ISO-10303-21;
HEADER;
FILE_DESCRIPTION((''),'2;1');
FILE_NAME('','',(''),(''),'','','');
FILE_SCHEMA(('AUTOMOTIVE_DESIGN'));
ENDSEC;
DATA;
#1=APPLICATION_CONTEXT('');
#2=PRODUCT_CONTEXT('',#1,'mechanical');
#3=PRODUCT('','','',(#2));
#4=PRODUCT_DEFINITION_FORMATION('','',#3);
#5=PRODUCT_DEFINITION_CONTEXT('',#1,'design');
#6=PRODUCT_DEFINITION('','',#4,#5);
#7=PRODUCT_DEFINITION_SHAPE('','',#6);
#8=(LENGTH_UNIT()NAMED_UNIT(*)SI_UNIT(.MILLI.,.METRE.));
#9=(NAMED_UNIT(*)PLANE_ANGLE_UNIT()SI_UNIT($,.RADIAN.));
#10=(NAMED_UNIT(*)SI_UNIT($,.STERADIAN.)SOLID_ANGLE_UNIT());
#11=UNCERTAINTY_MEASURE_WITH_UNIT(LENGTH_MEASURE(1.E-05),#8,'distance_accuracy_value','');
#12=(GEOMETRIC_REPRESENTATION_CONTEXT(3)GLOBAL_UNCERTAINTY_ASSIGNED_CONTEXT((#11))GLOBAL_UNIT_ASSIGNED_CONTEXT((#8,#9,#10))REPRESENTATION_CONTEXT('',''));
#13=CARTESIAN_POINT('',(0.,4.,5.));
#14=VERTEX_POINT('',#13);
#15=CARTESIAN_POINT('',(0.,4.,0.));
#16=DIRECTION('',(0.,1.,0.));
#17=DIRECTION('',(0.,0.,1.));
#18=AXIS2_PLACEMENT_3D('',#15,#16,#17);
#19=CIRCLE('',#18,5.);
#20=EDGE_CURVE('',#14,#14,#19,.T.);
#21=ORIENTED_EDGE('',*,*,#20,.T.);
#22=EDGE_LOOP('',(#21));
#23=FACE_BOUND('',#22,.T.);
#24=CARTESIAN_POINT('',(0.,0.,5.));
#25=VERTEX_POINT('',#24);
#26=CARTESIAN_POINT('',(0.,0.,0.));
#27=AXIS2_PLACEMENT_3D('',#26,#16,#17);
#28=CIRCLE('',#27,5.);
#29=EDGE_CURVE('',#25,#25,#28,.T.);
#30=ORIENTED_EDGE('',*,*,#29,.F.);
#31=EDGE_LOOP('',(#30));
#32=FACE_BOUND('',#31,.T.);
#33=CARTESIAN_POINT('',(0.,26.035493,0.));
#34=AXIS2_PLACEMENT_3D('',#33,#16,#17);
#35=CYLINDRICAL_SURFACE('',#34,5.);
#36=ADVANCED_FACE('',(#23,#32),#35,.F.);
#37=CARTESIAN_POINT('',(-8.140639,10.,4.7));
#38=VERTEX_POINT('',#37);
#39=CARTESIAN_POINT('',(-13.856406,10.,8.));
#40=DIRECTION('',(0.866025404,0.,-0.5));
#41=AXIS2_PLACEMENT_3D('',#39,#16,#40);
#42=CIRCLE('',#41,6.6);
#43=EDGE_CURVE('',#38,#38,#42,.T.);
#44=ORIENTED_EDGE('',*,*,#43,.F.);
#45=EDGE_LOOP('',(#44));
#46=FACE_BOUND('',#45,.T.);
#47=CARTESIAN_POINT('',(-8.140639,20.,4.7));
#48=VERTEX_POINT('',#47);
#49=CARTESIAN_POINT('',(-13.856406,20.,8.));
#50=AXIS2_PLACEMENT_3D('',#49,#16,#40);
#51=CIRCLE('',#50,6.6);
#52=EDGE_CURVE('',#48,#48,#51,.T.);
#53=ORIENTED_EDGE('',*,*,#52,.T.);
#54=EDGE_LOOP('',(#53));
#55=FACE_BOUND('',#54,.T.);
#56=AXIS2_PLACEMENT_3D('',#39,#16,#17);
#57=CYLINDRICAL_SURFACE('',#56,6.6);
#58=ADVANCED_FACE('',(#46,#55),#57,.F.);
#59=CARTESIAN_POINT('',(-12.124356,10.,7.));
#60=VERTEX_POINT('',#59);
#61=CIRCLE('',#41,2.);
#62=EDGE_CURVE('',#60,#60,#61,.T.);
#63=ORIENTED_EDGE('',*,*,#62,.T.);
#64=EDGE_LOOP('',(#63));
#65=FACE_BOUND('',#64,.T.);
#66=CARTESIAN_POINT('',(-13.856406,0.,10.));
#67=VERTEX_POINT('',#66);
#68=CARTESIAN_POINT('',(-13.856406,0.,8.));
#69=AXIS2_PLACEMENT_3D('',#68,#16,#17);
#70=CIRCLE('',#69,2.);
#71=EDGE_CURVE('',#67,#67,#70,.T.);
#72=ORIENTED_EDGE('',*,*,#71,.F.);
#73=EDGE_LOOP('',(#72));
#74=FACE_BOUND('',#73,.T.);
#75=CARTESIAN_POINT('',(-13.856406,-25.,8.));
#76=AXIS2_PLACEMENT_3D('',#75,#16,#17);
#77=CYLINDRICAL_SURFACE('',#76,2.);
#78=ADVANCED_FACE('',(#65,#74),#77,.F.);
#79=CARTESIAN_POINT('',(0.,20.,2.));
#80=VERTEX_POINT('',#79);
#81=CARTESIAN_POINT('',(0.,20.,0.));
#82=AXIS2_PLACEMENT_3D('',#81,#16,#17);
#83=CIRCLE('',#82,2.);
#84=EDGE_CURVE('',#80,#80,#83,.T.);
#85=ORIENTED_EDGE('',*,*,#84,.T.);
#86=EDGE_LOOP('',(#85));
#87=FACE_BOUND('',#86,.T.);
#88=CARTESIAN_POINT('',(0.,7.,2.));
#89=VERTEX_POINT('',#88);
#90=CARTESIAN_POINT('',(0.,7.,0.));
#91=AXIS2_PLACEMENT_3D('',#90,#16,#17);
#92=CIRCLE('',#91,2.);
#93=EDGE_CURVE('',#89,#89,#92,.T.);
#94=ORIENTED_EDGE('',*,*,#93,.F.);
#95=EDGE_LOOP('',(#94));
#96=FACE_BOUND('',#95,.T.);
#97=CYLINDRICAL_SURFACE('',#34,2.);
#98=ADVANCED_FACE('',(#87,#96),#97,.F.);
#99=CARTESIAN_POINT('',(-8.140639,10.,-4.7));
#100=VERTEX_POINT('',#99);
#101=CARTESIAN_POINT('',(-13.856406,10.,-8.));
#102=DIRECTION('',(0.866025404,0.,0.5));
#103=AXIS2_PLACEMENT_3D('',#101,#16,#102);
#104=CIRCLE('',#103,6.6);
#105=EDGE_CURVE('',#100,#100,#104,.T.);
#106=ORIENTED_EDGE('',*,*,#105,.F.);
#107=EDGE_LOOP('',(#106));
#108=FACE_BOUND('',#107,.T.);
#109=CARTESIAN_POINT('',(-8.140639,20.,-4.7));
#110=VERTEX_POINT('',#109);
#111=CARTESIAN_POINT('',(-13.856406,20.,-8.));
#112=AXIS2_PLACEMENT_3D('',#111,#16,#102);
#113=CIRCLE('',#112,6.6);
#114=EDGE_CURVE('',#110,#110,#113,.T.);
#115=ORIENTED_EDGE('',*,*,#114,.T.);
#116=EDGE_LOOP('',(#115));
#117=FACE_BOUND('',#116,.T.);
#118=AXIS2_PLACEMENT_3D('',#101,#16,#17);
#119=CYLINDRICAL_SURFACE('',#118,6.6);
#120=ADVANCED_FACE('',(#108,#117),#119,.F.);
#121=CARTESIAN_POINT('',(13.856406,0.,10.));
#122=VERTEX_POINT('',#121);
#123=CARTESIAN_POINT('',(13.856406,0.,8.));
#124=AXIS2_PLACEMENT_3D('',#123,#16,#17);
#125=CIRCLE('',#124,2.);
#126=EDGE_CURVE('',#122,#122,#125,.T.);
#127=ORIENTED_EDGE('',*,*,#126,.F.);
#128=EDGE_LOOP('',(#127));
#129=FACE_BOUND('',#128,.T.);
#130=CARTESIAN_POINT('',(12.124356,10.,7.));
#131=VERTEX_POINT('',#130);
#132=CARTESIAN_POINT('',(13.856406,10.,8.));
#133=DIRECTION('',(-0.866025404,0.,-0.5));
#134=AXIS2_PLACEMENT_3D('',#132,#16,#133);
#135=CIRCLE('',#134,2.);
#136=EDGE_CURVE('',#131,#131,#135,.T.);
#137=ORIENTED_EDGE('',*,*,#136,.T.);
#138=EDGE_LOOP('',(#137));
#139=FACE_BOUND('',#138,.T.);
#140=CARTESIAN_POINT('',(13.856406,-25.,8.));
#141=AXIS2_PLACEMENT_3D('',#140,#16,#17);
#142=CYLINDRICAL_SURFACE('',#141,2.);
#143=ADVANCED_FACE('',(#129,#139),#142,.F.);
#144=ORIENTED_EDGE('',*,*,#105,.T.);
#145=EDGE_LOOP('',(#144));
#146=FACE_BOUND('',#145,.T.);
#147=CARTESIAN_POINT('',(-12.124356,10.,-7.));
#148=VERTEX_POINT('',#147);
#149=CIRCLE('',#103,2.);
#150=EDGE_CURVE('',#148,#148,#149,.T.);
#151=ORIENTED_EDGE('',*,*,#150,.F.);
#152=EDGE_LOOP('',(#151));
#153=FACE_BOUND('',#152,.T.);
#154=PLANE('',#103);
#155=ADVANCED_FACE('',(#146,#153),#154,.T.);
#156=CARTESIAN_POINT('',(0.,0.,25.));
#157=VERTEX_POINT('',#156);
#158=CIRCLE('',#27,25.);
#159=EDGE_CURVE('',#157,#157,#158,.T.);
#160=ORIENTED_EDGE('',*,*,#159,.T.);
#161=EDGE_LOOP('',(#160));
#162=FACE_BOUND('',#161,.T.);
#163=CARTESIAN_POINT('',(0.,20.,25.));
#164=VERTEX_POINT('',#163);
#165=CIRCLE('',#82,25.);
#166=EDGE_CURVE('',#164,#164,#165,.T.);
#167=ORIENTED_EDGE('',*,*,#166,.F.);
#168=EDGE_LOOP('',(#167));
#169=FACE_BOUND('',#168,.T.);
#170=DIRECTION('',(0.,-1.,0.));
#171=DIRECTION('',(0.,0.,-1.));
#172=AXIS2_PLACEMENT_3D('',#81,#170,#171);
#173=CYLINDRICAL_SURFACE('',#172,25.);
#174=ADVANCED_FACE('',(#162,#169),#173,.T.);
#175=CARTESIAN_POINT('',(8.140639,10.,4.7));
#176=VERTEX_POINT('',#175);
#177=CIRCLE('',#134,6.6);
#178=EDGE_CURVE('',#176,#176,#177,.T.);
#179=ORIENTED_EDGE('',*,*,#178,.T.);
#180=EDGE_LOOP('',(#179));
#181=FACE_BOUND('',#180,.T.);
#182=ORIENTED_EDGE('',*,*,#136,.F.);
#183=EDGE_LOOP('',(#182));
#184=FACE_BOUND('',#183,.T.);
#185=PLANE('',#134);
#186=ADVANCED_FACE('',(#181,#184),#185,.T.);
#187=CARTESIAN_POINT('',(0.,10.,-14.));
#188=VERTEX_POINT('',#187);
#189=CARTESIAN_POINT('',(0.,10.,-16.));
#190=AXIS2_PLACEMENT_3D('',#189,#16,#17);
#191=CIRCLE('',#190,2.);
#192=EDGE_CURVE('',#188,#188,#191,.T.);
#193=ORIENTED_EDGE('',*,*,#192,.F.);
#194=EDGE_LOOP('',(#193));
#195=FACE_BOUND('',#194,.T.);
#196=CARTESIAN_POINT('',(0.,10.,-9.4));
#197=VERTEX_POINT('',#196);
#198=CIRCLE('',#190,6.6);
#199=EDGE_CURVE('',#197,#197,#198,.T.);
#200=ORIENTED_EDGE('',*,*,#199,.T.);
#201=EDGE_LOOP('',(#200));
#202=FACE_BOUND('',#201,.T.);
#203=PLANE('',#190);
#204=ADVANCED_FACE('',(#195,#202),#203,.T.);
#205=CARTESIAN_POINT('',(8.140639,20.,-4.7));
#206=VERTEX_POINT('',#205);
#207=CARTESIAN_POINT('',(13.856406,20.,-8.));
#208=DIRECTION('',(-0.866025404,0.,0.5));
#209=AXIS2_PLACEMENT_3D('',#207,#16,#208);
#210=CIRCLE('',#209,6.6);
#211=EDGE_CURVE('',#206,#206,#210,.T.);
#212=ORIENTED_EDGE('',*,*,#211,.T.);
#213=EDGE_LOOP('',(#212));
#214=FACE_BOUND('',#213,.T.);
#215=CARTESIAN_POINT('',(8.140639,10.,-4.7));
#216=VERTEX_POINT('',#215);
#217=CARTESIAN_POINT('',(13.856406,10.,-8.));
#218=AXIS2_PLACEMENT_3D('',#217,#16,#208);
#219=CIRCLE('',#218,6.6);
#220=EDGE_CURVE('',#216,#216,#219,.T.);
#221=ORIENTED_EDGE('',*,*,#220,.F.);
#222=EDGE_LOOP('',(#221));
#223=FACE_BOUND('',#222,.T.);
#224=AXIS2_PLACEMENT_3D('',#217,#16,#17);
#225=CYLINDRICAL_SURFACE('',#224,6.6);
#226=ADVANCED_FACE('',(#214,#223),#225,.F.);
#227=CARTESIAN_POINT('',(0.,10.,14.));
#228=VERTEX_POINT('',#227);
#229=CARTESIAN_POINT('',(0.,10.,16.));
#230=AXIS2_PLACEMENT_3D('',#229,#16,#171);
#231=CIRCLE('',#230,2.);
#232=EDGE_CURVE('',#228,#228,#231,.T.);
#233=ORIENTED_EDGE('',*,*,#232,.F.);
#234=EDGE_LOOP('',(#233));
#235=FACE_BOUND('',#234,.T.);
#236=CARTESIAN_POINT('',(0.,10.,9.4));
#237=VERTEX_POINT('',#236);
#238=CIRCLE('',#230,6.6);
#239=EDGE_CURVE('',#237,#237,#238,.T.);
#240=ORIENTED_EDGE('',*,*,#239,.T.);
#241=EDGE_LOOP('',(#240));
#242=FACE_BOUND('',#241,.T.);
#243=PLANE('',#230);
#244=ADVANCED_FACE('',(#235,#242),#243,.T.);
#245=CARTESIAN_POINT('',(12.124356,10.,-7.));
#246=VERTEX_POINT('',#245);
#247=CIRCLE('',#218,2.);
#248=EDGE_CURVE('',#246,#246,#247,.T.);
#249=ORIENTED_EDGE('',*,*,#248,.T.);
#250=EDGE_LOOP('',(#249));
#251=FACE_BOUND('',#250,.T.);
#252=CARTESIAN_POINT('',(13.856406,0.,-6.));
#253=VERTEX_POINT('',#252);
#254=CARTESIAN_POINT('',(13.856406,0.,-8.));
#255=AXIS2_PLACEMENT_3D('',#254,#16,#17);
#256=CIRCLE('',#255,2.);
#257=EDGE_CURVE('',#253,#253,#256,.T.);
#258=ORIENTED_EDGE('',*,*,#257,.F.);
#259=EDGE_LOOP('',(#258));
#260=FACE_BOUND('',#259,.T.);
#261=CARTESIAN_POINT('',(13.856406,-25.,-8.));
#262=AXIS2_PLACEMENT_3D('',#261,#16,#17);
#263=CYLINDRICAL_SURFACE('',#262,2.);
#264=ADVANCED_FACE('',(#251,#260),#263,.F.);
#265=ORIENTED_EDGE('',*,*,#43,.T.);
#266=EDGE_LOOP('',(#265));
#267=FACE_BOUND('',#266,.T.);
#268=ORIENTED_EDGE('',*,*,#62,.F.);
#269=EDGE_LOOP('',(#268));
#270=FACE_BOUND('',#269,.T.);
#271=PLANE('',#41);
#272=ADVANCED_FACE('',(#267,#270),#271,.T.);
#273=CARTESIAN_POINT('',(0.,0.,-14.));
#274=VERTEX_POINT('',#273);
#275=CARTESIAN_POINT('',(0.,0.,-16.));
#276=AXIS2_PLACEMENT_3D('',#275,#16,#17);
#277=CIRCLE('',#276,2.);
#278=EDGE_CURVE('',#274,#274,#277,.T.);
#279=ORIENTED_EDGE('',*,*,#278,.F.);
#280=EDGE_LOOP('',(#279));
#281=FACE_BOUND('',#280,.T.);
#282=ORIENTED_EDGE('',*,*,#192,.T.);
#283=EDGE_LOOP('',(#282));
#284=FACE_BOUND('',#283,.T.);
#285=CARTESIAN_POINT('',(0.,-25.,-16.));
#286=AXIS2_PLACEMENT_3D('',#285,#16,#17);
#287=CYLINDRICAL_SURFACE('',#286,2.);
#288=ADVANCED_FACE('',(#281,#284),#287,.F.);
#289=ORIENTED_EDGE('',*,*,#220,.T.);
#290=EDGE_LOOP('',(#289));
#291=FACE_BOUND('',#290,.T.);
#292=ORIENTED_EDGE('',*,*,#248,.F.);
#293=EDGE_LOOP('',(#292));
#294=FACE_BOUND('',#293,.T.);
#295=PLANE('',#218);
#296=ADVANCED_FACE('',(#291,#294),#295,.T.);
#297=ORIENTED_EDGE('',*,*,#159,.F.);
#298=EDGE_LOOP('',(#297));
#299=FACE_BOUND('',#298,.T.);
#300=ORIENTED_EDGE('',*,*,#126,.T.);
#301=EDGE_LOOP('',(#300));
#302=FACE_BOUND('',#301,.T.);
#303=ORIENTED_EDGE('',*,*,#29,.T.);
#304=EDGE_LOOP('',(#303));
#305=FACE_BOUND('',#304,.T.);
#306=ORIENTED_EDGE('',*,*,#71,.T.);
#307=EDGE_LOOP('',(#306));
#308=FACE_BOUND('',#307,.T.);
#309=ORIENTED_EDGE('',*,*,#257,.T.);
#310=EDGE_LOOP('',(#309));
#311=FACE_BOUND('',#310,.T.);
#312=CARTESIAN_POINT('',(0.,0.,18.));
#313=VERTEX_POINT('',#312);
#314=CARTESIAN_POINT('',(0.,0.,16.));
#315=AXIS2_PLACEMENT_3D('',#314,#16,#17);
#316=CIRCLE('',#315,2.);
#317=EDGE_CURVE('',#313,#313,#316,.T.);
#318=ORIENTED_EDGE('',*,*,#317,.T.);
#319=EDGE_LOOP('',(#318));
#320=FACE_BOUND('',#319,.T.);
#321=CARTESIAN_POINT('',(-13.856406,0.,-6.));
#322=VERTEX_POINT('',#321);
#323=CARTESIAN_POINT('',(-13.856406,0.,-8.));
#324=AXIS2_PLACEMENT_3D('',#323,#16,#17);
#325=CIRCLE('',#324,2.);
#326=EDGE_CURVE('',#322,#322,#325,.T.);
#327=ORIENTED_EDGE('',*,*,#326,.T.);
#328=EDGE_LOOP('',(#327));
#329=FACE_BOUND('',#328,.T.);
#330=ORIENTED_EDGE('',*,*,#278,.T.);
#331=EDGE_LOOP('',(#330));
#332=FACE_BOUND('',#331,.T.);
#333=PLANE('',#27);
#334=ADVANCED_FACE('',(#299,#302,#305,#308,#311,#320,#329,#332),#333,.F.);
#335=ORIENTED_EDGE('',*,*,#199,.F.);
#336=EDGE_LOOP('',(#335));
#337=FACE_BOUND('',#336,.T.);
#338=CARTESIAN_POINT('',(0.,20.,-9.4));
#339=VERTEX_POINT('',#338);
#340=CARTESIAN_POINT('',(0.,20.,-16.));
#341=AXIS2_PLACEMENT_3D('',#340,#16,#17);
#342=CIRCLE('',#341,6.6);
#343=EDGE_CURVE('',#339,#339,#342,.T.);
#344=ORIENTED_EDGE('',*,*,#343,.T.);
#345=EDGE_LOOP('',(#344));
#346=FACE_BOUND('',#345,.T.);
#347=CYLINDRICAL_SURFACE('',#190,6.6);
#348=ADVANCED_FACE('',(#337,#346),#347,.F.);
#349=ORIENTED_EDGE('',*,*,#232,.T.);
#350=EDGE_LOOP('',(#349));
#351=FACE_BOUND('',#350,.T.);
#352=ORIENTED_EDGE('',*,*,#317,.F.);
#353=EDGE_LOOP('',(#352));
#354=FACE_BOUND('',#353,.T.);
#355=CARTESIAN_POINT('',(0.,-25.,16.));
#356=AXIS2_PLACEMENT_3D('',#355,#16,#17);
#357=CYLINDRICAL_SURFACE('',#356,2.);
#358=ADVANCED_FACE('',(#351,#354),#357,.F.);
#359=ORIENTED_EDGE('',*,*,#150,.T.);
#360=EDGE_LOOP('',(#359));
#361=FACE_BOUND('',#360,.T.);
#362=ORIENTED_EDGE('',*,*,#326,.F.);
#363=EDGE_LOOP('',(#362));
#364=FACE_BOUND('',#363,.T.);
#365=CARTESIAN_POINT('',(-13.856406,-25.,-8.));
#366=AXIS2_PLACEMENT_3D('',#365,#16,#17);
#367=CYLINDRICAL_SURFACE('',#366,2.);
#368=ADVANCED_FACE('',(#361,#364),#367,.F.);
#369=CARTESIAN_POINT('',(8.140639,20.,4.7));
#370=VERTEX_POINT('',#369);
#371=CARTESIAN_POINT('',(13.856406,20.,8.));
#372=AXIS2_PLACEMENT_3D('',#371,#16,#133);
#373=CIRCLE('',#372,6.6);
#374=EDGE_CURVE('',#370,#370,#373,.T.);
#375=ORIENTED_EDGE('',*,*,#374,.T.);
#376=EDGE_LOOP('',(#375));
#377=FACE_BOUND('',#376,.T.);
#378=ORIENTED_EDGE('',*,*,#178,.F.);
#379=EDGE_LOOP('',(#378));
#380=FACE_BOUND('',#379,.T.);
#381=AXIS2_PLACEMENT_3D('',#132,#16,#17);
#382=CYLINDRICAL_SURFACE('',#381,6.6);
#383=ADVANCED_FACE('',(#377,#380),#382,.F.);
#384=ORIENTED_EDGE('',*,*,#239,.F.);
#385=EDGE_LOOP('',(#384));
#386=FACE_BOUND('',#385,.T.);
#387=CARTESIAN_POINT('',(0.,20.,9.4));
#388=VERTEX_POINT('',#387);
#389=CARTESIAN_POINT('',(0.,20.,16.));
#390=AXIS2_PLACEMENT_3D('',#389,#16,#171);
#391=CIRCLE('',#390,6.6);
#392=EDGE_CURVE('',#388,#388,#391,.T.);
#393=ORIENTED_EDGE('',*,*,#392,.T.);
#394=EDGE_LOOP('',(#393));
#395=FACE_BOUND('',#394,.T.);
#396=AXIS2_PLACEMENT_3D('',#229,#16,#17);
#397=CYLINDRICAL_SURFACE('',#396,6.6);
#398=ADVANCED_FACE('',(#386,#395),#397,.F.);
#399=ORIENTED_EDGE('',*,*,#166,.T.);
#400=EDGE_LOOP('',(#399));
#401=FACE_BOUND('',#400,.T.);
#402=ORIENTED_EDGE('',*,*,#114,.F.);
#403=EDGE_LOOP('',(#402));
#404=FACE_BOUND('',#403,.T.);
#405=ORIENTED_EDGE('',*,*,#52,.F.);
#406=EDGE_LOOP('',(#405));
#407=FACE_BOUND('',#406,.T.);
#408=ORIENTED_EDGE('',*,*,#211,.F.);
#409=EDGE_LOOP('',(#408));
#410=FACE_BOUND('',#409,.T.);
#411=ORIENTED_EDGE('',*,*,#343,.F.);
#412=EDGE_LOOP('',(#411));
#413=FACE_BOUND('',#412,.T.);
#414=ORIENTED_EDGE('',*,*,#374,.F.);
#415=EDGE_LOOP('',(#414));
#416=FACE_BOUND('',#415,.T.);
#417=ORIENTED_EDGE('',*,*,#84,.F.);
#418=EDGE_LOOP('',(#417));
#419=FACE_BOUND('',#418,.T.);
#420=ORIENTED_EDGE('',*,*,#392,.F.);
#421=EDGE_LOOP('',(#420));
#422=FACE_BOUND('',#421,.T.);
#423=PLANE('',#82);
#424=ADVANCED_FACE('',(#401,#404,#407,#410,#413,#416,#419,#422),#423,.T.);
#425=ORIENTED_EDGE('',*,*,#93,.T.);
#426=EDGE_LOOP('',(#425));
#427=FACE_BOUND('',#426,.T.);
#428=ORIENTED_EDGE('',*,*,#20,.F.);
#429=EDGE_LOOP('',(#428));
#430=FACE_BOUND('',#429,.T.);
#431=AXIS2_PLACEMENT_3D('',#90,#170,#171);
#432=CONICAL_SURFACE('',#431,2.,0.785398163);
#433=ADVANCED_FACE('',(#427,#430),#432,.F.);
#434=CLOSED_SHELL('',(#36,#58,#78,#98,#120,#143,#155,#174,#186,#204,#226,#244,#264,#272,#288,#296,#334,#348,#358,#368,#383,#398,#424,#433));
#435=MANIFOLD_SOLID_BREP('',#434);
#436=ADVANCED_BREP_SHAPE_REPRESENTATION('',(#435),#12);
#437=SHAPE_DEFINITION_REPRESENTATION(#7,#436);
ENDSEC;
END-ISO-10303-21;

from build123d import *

# Parameters (mm, degrees)
SKETCH1_R           = 25
BOSS_EXTRUDE1_DEPTH = 20
SKETCH2_R           = 6.6
CUT_EXTRUDE1_DEPTH  = 10
SKETCH3_R           = 2
CUT_EXTRUDE2_DEPTH  = 35
CIRPATTERN1_COUNT   = 6


with BuildPart() as part:
    # Sketch1 → Boss-Extrude1 (new body)
    with BuildSketch(Plane(origin=(0, 0, 0), x_dir=(1, 0, 0), z_dir=(0, 1, 0))):
        with Locations(Location((0, 0, 0), (0, 0, 270))):
            Circle(SKETCH1_R)
    extrude(amount=BOSS_EXTRUDE1_DEPTH)

    # Sketch2 → Cut-Extrude1 (cut)
    with BuildSketch(Plane(origin=(0, 20, 0), x_dir=(1, 0, 0), z_dir=(0, 1, 0))):
        with Locations(Location((0, 16, 0), (0, 0, 270))):
            Circle(SKETCH2_R)
    cut_extrude1 = extrude(amount=-CUT_EXTRUDE1_DEPTH, mode=Mode.SUBTRACT)

    # Sketch3 → Cut-Extrude2 (cut)
    with BuildSketch(Plane(origin=(0, 10, 0), x_dir=(1, 0, 0), z_dir=(0, 1, 0))):
        with Locations(Location((0, 16, 0), (0, 0, 270))):
            Circle(SKETCH3_R)
    cut_extrude2 = extrude(amount=-CUT_EXTRUDE2_DEPTH, mode=Mode.SUBTRACT)

    # CirPattern1: Cut-Extrude1, Cut-Extrude2 ×6 about axis
    cirpattern1_axis = Axis((0, 0, 0), (0, 1, 0))
    add([cut_extrude1.rotate(cirpattern1_axis, i * 360 / CIRPATTERN1_COUNT) for i in range(1, CIRPATTERN1_COUNT)], mode=Mode.SUBTRACT)
    add([cut_extrude2.rotate(cirpattern1_axis, i * 360 / CIRPATTERN1_COUNT) for i in range(1, CIRPATTERN1_COUNT)], mode=Mode.SUBTRACT)

    # Sketch5 → Cut-Revolve1 (revolve, cut)
    with BuildSketch(Plane.XY, mode=Mode.PRIVATE) as cut_revolve1_sk:
        Polygon((0, 20), (-2, 20), (-2, 7), (-5, 4), (-5, 0), (0, 0), align=None)
    revolve(cut_revolve1_sk.sketch.rotate(Axis((0, 26.035493364, 0), (0, -1, 0)), 270), axis=Axis((0, 26.035493364, 0), (0, -1, 0)), mode=Mode.SUBTRACT)


solid = part.part
